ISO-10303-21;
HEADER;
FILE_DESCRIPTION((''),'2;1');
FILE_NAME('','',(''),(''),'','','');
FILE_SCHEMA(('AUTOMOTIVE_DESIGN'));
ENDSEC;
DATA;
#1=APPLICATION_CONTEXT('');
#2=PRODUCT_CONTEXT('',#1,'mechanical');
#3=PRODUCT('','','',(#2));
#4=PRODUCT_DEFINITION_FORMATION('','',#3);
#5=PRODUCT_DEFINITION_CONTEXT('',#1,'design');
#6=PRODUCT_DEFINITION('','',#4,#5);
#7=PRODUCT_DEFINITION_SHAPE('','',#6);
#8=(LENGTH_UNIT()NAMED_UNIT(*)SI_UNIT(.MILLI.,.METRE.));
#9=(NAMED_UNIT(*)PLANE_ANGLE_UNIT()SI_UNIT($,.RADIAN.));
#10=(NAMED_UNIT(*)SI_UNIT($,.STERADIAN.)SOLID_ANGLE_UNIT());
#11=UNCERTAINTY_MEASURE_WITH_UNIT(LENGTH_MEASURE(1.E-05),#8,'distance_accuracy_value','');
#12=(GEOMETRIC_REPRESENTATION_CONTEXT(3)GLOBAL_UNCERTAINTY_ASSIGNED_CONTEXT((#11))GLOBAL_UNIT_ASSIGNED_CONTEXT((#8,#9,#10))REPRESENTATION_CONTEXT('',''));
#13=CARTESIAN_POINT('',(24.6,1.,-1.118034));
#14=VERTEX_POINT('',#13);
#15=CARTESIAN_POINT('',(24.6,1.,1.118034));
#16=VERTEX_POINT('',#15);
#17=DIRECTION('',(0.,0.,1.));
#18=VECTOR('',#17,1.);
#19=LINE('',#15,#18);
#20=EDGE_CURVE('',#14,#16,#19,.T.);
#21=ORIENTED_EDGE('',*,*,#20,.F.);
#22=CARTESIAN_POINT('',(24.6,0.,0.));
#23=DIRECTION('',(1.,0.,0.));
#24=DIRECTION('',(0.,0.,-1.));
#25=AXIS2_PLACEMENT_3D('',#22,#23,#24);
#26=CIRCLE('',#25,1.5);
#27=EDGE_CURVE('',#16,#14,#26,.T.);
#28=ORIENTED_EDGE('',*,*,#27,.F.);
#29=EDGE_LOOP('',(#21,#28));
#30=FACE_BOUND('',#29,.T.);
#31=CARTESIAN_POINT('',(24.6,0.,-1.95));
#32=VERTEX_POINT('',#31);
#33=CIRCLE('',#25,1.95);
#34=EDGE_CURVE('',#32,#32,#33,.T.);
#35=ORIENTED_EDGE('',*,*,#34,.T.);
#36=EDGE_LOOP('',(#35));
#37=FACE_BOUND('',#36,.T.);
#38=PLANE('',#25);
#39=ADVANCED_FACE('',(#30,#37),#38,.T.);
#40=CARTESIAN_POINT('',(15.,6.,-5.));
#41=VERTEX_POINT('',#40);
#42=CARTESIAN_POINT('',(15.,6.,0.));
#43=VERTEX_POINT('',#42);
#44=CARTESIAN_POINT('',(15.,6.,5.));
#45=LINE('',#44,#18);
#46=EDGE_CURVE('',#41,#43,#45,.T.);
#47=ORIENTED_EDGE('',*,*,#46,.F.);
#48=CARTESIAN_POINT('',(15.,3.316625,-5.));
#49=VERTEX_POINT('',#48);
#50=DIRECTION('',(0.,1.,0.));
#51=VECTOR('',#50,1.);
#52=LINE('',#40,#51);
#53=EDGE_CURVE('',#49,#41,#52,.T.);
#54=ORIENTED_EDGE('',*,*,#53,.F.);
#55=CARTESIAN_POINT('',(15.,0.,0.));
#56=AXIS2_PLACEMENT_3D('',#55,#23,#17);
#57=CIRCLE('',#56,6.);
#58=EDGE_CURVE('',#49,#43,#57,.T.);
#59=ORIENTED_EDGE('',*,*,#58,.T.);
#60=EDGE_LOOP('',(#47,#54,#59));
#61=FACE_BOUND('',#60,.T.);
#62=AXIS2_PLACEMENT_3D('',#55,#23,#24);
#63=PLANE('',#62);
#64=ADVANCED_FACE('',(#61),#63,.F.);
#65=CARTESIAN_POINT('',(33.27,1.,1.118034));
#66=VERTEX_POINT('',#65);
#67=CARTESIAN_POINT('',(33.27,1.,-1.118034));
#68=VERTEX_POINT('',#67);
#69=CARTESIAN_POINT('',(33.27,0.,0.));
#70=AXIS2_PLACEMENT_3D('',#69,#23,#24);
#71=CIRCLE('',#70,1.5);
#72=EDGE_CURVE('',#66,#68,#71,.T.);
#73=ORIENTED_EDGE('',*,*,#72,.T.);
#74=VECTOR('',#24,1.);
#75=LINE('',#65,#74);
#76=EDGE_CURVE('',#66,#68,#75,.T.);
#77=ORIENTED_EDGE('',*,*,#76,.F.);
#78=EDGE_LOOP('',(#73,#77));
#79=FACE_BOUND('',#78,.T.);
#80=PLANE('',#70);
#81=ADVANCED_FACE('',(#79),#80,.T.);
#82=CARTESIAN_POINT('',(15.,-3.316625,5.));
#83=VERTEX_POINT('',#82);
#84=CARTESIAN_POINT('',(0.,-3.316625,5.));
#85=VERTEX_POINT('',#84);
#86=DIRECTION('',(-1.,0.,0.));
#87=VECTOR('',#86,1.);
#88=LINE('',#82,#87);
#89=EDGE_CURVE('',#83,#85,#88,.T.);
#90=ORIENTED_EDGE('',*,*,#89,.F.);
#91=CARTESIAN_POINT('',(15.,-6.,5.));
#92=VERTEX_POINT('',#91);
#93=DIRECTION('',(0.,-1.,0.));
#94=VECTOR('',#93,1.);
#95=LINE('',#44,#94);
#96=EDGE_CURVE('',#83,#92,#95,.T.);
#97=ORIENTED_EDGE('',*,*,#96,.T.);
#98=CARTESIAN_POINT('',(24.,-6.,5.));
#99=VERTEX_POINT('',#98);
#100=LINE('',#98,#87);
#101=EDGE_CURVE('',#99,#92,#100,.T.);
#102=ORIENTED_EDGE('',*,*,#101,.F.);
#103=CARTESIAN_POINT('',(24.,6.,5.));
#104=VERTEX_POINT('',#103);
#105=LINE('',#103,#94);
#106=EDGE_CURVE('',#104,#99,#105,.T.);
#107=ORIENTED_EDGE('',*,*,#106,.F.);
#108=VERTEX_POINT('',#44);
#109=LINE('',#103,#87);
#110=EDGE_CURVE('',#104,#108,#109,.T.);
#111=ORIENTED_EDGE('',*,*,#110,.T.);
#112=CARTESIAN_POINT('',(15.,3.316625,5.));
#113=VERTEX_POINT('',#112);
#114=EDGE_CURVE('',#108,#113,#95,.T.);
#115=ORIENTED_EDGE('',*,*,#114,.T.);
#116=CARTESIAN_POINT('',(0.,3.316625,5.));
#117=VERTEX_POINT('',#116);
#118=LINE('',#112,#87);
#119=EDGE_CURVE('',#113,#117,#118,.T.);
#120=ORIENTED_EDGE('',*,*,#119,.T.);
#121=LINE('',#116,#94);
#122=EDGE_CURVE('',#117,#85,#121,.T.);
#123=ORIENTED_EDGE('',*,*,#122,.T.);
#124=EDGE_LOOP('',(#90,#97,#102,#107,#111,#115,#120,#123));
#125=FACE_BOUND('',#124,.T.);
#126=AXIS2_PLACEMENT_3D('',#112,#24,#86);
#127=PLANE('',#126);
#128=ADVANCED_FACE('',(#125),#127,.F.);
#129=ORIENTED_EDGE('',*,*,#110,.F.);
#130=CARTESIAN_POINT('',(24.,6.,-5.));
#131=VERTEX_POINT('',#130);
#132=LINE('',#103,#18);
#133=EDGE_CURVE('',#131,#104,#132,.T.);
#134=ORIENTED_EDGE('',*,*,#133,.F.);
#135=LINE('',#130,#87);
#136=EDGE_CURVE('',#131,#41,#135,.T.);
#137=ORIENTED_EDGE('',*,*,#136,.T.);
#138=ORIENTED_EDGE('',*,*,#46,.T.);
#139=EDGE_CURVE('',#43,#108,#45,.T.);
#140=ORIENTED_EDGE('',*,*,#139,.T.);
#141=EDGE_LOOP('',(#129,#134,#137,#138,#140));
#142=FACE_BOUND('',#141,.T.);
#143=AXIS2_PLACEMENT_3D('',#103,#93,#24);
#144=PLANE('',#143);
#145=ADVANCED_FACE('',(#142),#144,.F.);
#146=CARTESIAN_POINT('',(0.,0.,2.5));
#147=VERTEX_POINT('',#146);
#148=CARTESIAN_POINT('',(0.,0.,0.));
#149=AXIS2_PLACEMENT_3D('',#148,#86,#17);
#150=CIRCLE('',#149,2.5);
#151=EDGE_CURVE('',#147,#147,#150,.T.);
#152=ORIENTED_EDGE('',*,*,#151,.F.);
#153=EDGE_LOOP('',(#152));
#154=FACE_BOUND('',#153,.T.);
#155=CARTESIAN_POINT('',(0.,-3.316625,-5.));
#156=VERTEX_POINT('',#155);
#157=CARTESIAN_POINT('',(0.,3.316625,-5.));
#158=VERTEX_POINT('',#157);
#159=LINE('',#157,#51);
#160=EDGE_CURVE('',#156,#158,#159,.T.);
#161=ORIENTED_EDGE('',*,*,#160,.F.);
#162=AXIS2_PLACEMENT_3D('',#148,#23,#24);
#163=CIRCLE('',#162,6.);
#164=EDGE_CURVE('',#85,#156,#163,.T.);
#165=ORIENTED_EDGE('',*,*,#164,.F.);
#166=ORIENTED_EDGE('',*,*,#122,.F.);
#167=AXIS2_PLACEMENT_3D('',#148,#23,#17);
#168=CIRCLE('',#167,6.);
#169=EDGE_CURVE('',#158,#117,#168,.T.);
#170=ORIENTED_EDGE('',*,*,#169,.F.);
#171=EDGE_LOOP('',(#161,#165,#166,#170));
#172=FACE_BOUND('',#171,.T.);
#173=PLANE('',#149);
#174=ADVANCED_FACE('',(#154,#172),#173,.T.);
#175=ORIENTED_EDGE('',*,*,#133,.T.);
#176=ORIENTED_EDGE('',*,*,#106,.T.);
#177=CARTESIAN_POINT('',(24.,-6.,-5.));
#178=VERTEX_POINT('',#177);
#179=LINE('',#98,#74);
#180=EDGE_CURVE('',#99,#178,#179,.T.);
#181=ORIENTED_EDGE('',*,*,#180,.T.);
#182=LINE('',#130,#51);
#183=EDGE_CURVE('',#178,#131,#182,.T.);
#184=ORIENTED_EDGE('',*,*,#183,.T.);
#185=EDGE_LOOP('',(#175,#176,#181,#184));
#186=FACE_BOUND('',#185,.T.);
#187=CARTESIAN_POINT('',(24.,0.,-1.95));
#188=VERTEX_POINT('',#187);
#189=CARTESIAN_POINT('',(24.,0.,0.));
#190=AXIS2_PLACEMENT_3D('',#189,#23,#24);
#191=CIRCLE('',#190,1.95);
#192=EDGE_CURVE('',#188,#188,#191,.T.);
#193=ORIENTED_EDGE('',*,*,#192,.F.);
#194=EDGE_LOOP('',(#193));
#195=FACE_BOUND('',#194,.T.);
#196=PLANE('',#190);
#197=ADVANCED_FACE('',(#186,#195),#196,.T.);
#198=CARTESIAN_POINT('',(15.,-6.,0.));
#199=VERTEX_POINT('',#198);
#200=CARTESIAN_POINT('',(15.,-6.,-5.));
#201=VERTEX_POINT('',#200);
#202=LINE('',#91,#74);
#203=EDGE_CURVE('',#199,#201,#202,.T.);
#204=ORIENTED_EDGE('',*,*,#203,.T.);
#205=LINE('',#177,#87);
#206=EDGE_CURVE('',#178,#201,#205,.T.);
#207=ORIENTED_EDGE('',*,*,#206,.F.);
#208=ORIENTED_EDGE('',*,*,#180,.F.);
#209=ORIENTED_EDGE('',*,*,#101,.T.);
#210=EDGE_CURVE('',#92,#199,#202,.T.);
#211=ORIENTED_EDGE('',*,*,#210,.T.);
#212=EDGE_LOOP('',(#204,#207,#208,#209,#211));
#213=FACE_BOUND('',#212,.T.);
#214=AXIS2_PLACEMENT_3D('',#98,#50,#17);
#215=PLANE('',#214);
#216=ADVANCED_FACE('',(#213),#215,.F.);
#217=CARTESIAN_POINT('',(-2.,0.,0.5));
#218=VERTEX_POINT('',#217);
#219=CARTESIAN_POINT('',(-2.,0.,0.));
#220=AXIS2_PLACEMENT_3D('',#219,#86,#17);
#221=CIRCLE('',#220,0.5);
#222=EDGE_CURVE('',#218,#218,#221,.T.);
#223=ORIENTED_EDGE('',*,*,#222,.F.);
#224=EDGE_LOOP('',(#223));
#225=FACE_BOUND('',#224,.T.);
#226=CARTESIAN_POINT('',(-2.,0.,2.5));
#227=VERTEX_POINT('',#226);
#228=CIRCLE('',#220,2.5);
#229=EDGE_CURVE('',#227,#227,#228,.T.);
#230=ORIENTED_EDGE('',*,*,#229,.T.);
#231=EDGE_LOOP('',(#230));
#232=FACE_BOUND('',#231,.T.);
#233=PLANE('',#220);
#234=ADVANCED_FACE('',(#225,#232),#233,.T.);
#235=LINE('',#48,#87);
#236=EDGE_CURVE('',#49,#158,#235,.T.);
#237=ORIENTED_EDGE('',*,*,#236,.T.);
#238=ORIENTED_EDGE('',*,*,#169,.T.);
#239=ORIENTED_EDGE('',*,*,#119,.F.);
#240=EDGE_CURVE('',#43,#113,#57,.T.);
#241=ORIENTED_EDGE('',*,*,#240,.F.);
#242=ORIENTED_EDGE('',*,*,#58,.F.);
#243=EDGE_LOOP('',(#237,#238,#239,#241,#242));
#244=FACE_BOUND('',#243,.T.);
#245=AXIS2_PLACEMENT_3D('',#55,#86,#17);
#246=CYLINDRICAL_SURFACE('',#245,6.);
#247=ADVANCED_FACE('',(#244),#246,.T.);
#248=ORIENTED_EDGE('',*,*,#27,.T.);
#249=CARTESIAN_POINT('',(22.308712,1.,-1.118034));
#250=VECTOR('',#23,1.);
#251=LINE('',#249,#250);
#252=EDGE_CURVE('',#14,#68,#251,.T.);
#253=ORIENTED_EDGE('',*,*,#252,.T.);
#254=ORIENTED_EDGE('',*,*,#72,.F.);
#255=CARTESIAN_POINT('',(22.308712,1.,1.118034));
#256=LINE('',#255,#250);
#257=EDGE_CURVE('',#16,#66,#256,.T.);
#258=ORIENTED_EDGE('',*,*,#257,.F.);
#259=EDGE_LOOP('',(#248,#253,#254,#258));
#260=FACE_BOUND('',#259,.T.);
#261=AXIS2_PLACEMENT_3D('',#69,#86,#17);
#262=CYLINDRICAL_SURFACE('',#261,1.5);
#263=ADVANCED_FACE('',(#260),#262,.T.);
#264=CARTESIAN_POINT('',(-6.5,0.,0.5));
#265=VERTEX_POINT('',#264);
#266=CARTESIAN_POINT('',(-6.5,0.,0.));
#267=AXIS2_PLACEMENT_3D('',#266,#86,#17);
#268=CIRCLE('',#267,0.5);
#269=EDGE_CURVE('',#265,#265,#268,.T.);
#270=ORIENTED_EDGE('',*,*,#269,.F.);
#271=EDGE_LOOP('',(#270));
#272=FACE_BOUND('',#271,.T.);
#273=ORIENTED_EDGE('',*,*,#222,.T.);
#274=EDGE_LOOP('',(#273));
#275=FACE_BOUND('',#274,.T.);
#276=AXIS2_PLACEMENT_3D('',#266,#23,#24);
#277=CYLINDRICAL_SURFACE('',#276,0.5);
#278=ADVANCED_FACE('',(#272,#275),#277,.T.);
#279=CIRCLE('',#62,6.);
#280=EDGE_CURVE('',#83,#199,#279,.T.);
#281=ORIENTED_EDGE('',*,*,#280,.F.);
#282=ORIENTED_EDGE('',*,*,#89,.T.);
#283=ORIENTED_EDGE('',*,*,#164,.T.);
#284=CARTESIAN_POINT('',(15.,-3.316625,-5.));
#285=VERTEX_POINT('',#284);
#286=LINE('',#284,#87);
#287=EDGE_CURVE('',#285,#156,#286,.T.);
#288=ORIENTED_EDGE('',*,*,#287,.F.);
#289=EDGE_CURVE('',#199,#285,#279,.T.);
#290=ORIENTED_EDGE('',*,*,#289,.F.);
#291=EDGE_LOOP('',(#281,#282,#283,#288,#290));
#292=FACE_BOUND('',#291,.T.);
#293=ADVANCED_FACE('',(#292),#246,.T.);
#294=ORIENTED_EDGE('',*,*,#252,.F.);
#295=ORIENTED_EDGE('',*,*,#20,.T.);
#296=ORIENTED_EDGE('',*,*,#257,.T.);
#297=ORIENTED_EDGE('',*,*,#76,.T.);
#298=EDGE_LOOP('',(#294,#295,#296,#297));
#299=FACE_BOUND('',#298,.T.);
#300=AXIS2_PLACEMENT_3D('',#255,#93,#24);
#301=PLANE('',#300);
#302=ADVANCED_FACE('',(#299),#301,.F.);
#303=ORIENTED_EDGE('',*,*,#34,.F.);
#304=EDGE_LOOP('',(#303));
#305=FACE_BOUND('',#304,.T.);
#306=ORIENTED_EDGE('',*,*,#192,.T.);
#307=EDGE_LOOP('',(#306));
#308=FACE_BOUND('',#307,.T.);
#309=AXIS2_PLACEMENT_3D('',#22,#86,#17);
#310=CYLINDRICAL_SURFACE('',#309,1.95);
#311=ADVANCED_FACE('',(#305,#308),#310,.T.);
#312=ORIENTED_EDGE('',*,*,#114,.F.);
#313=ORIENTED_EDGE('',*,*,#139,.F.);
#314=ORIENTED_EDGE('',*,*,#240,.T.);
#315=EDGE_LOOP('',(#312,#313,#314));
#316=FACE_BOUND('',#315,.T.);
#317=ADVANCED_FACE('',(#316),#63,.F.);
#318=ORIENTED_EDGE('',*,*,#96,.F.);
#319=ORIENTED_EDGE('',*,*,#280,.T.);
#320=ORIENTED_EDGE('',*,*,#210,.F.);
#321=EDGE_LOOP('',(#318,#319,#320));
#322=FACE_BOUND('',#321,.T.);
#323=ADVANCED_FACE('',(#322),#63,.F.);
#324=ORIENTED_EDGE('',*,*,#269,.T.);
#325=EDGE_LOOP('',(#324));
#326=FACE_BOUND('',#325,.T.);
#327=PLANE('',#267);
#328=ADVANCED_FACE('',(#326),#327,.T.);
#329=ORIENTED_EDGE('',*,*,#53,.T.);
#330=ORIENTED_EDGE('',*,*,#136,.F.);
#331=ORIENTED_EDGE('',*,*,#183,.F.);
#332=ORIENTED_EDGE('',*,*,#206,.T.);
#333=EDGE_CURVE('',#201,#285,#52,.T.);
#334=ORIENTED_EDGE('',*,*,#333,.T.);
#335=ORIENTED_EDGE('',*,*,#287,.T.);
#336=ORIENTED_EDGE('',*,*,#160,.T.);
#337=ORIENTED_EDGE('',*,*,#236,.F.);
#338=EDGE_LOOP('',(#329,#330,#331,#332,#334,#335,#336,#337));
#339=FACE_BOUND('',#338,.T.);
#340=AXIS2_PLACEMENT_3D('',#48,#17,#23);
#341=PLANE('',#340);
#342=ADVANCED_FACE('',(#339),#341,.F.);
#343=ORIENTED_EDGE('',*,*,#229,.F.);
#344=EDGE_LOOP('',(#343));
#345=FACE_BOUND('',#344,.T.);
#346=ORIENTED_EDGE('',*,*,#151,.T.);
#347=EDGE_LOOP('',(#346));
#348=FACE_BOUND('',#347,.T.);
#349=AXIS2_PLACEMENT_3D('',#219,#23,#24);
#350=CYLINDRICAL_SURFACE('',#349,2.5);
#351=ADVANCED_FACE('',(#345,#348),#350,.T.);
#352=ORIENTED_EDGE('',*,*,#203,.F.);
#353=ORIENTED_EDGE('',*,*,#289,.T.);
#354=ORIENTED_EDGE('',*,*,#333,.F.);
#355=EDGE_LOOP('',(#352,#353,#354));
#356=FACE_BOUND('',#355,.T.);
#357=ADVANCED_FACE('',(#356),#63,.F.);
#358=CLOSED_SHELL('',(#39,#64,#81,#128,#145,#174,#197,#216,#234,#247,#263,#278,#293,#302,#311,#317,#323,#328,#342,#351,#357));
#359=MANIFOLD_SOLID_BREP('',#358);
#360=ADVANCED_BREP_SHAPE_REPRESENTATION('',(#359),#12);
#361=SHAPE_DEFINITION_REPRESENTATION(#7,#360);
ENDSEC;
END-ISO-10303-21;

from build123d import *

# Parameters (mm, degrees)
BOSS_EXTRU_1_DEPTH      = 15
ESQUISSE2_R             = 2.5
BOSS_EXTRU_2_DEPTH      = 2
ESQUISSE3_W             = 10
ESQUISSE3_H             = 12
BOSS_EXTRU_3_DEPTH      = 9
ESQUISSE4_R             = 1.95
BOSS_EXTRU_4_DEPTH      = 0.6
ESQUISSE5_R             = 1.5
BOSS_EXTRU_5_DEPTH      = 8.67
ENL_V_START             = -8.67
ENL_V_MAT_EXTRU_1_DEPTH = 8.67
ESQUISSE7_R             = 0.5
BOSS_EXTRU_6_DEPTH      = 4.5


with BuildPart() as part:
    # Esquisse1 → Boss.-Extru.1 (new body)
    with BuildSketch(Plane(origin=(0, 0, 0), x_dir=(0, 0, -1), z_dir=(1, 0, 0))):
        with BuildLine():
            Line((-5, 3.31662479), (-5, -3.31662479))
            ThreePointArc((-5, -3.31662479), (0, -6), (5, -3.31662479))
            Line((5, -3.31662479), (5, 3.31662479))
            ThreePointArc((5, 3.31662479), (0, 6), (-5, 3.31662479))
        make_face()
    extrude(amount=BOSS_EXTRU_1_DEPTH)

    # Esquisse2 → Boss.-Extru.2 (add)
    with BuildSketch(Plane.ZY):
        Circle(ESQUISSE2_R)
    extrude(amount=BOSS_EXTRU_2_DEPTH)

    # Esquisse3 → Boss.-Extru.3 (add)
    with BuildSketch(Plane(origin=(15, 0, 0), x_dir=(0, 0, -1), z_dir=(1, 0, 0))):
        Rectangle(ESQUISSE3_W, ESQUISSE3_H)
    extrude(amount=BOSS_EXTRU_3_DEPTH)

    # Esquisse4 → Boss.-Extru.4 (add)
    with BuildSketch(Plane(origin=(24, 0, 0), x_dir=(0, 0, -1), z_dir=(1, 0, 0))):
        Circle(ESQUISSE4_R)
    extrude(amount=BOSS_EXTRU_4_DEPTH)

    # Esquisse5 → Boss.-Extru.5 (add)
    with BuildSketch(Plane(origin=(24.6, 0, 0), x_dir=(0, 0, -1), z_dir=(1, 0, 0))):
        Circle(ESQUISSE5_R)
    extrude(amount=BOSS_EXTRU_5_DEPTH)

    # Esquisse6 → Enlèv. mat.-Extru.1 (cut)
    with BuildSketch(Plane(origin=(33.27, 0, 0), x_dir=(0, 0, -1), z_dir=(1, 0, 0)).offset(ENL_V_START)):
        with BuildLine():
            Line((-1.118033989, 1), (1.118033989, 1))
            ThreePointArc((1.118033989, 1), (0, 1.5), (-1.118033989, 1))
        make_face()
    extrude(amount=ENL_V_MAT_EXTRU_1_DEPTH, mode=Mode.SUBTRACT)

    # Esquisse7 → Boss.-Extru.6 (add)
    with BuildSketch(Plane.ZY.offset(2)):
        Circle(ESQUISSE7_R)
    extrude(amount=BOSS_EXTRU_6_DEPTH)


solid = part.part
